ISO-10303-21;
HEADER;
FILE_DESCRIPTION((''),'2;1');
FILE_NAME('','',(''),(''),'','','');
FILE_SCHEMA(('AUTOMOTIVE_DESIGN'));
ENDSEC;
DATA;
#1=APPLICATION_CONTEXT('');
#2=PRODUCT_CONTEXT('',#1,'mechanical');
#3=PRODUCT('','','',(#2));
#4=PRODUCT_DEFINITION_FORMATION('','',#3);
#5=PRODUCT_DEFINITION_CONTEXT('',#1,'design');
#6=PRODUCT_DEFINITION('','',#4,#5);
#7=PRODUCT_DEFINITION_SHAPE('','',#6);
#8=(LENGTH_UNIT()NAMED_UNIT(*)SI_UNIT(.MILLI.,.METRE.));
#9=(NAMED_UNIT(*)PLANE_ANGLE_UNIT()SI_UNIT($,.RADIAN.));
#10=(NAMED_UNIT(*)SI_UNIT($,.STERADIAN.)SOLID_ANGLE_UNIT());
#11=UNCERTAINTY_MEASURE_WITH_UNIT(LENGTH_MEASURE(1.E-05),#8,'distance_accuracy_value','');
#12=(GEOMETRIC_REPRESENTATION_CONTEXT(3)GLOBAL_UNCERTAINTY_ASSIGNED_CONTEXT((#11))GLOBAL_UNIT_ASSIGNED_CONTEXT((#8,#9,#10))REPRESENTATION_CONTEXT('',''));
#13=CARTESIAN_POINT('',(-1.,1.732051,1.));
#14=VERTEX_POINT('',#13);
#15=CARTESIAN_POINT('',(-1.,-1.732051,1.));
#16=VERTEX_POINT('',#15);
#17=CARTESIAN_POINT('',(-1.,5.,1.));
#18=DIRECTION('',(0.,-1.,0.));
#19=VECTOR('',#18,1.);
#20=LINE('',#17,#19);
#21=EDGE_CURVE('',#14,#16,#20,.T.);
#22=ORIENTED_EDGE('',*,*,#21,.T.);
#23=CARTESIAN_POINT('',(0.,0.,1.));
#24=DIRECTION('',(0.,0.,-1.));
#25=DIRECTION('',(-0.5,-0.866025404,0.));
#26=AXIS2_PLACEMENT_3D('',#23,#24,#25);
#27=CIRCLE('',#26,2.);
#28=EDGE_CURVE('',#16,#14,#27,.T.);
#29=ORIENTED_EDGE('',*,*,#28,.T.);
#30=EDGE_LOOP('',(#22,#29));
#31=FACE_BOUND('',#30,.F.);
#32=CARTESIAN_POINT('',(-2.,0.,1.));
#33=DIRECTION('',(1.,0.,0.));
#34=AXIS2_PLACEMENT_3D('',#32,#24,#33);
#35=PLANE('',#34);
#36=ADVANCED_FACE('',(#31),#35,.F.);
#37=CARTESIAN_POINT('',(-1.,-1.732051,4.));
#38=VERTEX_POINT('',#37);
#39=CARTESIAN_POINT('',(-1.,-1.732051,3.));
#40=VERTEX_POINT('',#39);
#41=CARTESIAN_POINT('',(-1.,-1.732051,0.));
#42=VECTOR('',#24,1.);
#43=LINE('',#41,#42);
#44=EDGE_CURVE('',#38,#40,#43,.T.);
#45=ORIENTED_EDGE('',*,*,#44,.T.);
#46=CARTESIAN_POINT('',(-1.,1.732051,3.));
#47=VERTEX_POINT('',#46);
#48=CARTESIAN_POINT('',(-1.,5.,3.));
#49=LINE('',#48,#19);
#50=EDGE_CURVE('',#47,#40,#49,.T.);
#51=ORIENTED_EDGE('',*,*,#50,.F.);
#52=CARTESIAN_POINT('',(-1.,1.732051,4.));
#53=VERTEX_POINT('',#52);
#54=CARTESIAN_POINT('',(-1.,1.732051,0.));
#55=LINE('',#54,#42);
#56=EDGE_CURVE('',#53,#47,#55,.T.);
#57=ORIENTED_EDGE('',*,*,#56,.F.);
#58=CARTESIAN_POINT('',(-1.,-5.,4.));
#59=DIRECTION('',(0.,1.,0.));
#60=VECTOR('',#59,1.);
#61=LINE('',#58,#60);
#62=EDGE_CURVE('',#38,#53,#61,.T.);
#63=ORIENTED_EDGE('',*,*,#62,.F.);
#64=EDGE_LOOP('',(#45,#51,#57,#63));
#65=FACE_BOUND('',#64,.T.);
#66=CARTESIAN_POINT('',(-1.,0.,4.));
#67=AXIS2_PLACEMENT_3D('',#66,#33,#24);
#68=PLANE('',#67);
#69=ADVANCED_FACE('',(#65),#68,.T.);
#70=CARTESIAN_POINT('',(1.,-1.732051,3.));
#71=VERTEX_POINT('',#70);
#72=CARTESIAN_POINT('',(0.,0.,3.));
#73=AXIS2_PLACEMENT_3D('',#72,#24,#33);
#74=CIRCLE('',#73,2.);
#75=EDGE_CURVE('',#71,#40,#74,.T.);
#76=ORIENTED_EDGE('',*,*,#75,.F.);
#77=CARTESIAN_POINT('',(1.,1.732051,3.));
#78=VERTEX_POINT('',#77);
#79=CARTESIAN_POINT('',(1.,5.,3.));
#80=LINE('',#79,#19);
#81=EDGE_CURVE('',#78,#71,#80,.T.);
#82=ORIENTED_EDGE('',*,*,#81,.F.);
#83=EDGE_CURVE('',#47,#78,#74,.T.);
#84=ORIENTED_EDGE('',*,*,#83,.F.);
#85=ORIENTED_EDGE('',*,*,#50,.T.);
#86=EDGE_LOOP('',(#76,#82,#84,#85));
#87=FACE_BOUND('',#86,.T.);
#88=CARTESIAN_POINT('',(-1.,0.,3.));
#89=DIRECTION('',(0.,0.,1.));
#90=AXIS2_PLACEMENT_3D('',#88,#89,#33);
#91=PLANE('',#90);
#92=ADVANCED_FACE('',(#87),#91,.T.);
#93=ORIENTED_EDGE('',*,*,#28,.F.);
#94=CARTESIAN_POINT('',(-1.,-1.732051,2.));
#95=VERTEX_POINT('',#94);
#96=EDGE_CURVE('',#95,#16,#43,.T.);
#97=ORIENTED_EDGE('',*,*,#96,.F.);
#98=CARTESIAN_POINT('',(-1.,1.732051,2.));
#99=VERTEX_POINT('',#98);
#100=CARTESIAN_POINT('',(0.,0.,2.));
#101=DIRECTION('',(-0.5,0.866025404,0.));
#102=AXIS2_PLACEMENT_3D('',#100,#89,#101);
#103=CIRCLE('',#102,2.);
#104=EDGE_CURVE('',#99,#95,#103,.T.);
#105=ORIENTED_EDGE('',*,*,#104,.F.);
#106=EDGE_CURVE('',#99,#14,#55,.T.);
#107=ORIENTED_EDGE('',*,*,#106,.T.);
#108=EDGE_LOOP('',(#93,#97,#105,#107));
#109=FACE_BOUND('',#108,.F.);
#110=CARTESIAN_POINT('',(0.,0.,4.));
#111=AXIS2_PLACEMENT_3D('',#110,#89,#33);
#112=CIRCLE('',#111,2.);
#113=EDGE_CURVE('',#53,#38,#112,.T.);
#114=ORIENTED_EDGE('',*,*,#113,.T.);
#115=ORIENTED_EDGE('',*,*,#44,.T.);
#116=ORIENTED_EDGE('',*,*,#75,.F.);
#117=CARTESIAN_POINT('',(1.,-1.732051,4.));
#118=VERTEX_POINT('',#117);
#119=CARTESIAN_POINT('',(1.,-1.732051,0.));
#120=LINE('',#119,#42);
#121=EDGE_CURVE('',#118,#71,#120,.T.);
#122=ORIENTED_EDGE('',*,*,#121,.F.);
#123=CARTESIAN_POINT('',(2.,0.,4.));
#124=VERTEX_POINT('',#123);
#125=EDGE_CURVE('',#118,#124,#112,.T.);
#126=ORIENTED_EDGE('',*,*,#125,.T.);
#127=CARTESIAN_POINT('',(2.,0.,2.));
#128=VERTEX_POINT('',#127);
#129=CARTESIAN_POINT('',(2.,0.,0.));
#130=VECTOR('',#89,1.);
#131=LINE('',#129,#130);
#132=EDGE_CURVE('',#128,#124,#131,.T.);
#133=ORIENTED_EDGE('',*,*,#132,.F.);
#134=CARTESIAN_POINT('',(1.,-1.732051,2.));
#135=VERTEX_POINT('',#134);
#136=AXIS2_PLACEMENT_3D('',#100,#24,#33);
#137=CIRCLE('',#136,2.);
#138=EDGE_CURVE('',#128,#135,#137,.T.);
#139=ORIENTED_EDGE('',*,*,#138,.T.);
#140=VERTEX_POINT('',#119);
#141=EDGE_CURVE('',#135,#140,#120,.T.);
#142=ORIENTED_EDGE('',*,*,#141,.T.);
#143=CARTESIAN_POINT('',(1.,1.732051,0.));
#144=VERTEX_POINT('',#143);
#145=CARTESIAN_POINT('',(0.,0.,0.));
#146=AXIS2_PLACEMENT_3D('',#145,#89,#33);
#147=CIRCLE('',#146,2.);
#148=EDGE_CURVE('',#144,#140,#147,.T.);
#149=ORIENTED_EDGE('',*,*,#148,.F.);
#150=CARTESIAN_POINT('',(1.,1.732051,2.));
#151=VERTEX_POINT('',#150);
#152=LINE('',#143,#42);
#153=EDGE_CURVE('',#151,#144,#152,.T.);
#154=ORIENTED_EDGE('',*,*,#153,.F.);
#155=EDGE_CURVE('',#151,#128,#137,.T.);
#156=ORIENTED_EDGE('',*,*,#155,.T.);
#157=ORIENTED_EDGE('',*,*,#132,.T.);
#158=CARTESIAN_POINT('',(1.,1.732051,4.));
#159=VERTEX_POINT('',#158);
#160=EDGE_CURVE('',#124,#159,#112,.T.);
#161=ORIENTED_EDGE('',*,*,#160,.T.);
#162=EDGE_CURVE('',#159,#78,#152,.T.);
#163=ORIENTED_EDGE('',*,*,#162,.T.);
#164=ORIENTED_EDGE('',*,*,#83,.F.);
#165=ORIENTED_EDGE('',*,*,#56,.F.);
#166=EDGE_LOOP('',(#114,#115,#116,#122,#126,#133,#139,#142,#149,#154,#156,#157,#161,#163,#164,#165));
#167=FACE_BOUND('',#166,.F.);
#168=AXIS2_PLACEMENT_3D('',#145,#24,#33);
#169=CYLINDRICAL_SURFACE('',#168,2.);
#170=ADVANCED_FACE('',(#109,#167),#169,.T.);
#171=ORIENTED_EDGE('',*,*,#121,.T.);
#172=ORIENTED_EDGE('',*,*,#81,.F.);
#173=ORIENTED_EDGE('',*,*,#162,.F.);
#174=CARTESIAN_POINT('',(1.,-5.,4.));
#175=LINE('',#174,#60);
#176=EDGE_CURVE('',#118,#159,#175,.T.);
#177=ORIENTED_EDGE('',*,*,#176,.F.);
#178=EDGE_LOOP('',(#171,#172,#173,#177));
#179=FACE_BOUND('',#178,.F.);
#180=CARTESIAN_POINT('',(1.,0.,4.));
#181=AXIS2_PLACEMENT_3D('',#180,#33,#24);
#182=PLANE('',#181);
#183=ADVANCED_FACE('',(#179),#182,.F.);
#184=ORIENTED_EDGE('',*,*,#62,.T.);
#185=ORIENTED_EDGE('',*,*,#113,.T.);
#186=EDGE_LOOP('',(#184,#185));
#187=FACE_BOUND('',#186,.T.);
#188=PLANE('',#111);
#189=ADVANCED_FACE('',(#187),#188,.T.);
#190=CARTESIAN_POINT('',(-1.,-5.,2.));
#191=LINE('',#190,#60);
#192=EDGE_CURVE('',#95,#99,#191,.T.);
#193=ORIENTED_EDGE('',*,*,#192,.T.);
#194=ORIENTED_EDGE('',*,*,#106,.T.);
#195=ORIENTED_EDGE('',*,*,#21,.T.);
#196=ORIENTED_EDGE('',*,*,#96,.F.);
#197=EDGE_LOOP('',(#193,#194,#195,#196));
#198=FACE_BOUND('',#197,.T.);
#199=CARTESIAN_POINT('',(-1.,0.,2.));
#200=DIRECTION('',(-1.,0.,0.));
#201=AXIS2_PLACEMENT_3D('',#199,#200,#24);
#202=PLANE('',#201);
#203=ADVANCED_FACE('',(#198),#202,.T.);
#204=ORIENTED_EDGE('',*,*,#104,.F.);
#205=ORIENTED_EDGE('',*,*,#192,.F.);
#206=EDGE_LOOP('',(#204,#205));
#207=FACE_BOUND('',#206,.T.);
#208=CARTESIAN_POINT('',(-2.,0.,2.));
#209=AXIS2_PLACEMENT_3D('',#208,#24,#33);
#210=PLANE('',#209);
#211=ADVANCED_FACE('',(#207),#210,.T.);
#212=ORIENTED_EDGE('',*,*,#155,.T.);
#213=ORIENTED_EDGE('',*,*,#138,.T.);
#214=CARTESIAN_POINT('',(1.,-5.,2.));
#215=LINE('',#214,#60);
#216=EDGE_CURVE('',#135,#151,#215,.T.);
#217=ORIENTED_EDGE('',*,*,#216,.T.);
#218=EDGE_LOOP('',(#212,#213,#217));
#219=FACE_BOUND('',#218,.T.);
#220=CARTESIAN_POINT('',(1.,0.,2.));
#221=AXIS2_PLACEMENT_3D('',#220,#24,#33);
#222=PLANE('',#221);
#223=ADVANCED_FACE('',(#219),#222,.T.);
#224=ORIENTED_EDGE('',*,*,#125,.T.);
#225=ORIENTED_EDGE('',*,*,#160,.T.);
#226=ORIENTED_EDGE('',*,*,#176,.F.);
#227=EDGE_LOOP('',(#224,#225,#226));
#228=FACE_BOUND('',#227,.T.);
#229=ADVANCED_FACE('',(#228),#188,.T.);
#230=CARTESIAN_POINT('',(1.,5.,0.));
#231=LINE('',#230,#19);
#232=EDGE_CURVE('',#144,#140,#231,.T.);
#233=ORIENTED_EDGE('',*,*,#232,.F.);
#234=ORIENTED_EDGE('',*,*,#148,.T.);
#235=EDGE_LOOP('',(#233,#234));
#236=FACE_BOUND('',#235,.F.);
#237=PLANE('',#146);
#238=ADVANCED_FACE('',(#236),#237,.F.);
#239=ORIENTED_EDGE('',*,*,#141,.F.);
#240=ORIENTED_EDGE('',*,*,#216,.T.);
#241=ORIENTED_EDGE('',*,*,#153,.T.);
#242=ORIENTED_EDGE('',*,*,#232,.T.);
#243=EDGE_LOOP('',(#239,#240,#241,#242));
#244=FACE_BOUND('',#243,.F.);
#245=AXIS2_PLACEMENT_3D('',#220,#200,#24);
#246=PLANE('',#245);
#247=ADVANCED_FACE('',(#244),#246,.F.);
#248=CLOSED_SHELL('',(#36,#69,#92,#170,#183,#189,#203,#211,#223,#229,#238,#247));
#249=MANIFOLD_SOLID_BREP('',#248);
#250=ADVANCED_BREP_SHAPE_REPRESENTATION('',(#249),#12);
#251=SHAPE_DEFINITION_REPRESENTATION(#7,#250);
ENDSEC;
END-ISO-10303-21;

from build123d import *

# Parameters (mm, degrees)
SKETCH1_R           = 2
BOSS_EXTRUDE1_DEPTH = 4
SKETCH2_W           = 1
SKETCH2_H           = 1
SKETCH2_H_2         = 2
SKETCH2_W_2         = 2
CUT_EXTRUDE1_DEPTH  = 5


with BuildPart() as part:
    # Sketch1 → Boss-Extrude1 (new body)
    with BuildSketch(Plane.XY):
        Circle(SKETCH1_R)
    extrude(amount=BOSS_EXTRUDE1_DEPTH)

    # Sketch2 → Cut-Extrude1 (cut, symmetric)
    with BuildSketch(Plane(origin=(0, 0, 0), x_dir=(1, 0, 0), z_dir=(0, 1, 0))):
        with Locations((-1.5, -1.5)):
            Rectangle(SKETCH2_W, SKETCH2_H)
        with Locations((1.5, -1)):
            Rectangle(SKETCH2_W, SKETCH2_H_2)
        with Locations((0, -3.5)):
            Rectangle(SKETCH2_W_2, SKETCH2_H)
    extrude(amount=CUT_EXTRUDE1_DEPTH, both=True, mode=Mode.SUBTRACT)


solid = part.part
